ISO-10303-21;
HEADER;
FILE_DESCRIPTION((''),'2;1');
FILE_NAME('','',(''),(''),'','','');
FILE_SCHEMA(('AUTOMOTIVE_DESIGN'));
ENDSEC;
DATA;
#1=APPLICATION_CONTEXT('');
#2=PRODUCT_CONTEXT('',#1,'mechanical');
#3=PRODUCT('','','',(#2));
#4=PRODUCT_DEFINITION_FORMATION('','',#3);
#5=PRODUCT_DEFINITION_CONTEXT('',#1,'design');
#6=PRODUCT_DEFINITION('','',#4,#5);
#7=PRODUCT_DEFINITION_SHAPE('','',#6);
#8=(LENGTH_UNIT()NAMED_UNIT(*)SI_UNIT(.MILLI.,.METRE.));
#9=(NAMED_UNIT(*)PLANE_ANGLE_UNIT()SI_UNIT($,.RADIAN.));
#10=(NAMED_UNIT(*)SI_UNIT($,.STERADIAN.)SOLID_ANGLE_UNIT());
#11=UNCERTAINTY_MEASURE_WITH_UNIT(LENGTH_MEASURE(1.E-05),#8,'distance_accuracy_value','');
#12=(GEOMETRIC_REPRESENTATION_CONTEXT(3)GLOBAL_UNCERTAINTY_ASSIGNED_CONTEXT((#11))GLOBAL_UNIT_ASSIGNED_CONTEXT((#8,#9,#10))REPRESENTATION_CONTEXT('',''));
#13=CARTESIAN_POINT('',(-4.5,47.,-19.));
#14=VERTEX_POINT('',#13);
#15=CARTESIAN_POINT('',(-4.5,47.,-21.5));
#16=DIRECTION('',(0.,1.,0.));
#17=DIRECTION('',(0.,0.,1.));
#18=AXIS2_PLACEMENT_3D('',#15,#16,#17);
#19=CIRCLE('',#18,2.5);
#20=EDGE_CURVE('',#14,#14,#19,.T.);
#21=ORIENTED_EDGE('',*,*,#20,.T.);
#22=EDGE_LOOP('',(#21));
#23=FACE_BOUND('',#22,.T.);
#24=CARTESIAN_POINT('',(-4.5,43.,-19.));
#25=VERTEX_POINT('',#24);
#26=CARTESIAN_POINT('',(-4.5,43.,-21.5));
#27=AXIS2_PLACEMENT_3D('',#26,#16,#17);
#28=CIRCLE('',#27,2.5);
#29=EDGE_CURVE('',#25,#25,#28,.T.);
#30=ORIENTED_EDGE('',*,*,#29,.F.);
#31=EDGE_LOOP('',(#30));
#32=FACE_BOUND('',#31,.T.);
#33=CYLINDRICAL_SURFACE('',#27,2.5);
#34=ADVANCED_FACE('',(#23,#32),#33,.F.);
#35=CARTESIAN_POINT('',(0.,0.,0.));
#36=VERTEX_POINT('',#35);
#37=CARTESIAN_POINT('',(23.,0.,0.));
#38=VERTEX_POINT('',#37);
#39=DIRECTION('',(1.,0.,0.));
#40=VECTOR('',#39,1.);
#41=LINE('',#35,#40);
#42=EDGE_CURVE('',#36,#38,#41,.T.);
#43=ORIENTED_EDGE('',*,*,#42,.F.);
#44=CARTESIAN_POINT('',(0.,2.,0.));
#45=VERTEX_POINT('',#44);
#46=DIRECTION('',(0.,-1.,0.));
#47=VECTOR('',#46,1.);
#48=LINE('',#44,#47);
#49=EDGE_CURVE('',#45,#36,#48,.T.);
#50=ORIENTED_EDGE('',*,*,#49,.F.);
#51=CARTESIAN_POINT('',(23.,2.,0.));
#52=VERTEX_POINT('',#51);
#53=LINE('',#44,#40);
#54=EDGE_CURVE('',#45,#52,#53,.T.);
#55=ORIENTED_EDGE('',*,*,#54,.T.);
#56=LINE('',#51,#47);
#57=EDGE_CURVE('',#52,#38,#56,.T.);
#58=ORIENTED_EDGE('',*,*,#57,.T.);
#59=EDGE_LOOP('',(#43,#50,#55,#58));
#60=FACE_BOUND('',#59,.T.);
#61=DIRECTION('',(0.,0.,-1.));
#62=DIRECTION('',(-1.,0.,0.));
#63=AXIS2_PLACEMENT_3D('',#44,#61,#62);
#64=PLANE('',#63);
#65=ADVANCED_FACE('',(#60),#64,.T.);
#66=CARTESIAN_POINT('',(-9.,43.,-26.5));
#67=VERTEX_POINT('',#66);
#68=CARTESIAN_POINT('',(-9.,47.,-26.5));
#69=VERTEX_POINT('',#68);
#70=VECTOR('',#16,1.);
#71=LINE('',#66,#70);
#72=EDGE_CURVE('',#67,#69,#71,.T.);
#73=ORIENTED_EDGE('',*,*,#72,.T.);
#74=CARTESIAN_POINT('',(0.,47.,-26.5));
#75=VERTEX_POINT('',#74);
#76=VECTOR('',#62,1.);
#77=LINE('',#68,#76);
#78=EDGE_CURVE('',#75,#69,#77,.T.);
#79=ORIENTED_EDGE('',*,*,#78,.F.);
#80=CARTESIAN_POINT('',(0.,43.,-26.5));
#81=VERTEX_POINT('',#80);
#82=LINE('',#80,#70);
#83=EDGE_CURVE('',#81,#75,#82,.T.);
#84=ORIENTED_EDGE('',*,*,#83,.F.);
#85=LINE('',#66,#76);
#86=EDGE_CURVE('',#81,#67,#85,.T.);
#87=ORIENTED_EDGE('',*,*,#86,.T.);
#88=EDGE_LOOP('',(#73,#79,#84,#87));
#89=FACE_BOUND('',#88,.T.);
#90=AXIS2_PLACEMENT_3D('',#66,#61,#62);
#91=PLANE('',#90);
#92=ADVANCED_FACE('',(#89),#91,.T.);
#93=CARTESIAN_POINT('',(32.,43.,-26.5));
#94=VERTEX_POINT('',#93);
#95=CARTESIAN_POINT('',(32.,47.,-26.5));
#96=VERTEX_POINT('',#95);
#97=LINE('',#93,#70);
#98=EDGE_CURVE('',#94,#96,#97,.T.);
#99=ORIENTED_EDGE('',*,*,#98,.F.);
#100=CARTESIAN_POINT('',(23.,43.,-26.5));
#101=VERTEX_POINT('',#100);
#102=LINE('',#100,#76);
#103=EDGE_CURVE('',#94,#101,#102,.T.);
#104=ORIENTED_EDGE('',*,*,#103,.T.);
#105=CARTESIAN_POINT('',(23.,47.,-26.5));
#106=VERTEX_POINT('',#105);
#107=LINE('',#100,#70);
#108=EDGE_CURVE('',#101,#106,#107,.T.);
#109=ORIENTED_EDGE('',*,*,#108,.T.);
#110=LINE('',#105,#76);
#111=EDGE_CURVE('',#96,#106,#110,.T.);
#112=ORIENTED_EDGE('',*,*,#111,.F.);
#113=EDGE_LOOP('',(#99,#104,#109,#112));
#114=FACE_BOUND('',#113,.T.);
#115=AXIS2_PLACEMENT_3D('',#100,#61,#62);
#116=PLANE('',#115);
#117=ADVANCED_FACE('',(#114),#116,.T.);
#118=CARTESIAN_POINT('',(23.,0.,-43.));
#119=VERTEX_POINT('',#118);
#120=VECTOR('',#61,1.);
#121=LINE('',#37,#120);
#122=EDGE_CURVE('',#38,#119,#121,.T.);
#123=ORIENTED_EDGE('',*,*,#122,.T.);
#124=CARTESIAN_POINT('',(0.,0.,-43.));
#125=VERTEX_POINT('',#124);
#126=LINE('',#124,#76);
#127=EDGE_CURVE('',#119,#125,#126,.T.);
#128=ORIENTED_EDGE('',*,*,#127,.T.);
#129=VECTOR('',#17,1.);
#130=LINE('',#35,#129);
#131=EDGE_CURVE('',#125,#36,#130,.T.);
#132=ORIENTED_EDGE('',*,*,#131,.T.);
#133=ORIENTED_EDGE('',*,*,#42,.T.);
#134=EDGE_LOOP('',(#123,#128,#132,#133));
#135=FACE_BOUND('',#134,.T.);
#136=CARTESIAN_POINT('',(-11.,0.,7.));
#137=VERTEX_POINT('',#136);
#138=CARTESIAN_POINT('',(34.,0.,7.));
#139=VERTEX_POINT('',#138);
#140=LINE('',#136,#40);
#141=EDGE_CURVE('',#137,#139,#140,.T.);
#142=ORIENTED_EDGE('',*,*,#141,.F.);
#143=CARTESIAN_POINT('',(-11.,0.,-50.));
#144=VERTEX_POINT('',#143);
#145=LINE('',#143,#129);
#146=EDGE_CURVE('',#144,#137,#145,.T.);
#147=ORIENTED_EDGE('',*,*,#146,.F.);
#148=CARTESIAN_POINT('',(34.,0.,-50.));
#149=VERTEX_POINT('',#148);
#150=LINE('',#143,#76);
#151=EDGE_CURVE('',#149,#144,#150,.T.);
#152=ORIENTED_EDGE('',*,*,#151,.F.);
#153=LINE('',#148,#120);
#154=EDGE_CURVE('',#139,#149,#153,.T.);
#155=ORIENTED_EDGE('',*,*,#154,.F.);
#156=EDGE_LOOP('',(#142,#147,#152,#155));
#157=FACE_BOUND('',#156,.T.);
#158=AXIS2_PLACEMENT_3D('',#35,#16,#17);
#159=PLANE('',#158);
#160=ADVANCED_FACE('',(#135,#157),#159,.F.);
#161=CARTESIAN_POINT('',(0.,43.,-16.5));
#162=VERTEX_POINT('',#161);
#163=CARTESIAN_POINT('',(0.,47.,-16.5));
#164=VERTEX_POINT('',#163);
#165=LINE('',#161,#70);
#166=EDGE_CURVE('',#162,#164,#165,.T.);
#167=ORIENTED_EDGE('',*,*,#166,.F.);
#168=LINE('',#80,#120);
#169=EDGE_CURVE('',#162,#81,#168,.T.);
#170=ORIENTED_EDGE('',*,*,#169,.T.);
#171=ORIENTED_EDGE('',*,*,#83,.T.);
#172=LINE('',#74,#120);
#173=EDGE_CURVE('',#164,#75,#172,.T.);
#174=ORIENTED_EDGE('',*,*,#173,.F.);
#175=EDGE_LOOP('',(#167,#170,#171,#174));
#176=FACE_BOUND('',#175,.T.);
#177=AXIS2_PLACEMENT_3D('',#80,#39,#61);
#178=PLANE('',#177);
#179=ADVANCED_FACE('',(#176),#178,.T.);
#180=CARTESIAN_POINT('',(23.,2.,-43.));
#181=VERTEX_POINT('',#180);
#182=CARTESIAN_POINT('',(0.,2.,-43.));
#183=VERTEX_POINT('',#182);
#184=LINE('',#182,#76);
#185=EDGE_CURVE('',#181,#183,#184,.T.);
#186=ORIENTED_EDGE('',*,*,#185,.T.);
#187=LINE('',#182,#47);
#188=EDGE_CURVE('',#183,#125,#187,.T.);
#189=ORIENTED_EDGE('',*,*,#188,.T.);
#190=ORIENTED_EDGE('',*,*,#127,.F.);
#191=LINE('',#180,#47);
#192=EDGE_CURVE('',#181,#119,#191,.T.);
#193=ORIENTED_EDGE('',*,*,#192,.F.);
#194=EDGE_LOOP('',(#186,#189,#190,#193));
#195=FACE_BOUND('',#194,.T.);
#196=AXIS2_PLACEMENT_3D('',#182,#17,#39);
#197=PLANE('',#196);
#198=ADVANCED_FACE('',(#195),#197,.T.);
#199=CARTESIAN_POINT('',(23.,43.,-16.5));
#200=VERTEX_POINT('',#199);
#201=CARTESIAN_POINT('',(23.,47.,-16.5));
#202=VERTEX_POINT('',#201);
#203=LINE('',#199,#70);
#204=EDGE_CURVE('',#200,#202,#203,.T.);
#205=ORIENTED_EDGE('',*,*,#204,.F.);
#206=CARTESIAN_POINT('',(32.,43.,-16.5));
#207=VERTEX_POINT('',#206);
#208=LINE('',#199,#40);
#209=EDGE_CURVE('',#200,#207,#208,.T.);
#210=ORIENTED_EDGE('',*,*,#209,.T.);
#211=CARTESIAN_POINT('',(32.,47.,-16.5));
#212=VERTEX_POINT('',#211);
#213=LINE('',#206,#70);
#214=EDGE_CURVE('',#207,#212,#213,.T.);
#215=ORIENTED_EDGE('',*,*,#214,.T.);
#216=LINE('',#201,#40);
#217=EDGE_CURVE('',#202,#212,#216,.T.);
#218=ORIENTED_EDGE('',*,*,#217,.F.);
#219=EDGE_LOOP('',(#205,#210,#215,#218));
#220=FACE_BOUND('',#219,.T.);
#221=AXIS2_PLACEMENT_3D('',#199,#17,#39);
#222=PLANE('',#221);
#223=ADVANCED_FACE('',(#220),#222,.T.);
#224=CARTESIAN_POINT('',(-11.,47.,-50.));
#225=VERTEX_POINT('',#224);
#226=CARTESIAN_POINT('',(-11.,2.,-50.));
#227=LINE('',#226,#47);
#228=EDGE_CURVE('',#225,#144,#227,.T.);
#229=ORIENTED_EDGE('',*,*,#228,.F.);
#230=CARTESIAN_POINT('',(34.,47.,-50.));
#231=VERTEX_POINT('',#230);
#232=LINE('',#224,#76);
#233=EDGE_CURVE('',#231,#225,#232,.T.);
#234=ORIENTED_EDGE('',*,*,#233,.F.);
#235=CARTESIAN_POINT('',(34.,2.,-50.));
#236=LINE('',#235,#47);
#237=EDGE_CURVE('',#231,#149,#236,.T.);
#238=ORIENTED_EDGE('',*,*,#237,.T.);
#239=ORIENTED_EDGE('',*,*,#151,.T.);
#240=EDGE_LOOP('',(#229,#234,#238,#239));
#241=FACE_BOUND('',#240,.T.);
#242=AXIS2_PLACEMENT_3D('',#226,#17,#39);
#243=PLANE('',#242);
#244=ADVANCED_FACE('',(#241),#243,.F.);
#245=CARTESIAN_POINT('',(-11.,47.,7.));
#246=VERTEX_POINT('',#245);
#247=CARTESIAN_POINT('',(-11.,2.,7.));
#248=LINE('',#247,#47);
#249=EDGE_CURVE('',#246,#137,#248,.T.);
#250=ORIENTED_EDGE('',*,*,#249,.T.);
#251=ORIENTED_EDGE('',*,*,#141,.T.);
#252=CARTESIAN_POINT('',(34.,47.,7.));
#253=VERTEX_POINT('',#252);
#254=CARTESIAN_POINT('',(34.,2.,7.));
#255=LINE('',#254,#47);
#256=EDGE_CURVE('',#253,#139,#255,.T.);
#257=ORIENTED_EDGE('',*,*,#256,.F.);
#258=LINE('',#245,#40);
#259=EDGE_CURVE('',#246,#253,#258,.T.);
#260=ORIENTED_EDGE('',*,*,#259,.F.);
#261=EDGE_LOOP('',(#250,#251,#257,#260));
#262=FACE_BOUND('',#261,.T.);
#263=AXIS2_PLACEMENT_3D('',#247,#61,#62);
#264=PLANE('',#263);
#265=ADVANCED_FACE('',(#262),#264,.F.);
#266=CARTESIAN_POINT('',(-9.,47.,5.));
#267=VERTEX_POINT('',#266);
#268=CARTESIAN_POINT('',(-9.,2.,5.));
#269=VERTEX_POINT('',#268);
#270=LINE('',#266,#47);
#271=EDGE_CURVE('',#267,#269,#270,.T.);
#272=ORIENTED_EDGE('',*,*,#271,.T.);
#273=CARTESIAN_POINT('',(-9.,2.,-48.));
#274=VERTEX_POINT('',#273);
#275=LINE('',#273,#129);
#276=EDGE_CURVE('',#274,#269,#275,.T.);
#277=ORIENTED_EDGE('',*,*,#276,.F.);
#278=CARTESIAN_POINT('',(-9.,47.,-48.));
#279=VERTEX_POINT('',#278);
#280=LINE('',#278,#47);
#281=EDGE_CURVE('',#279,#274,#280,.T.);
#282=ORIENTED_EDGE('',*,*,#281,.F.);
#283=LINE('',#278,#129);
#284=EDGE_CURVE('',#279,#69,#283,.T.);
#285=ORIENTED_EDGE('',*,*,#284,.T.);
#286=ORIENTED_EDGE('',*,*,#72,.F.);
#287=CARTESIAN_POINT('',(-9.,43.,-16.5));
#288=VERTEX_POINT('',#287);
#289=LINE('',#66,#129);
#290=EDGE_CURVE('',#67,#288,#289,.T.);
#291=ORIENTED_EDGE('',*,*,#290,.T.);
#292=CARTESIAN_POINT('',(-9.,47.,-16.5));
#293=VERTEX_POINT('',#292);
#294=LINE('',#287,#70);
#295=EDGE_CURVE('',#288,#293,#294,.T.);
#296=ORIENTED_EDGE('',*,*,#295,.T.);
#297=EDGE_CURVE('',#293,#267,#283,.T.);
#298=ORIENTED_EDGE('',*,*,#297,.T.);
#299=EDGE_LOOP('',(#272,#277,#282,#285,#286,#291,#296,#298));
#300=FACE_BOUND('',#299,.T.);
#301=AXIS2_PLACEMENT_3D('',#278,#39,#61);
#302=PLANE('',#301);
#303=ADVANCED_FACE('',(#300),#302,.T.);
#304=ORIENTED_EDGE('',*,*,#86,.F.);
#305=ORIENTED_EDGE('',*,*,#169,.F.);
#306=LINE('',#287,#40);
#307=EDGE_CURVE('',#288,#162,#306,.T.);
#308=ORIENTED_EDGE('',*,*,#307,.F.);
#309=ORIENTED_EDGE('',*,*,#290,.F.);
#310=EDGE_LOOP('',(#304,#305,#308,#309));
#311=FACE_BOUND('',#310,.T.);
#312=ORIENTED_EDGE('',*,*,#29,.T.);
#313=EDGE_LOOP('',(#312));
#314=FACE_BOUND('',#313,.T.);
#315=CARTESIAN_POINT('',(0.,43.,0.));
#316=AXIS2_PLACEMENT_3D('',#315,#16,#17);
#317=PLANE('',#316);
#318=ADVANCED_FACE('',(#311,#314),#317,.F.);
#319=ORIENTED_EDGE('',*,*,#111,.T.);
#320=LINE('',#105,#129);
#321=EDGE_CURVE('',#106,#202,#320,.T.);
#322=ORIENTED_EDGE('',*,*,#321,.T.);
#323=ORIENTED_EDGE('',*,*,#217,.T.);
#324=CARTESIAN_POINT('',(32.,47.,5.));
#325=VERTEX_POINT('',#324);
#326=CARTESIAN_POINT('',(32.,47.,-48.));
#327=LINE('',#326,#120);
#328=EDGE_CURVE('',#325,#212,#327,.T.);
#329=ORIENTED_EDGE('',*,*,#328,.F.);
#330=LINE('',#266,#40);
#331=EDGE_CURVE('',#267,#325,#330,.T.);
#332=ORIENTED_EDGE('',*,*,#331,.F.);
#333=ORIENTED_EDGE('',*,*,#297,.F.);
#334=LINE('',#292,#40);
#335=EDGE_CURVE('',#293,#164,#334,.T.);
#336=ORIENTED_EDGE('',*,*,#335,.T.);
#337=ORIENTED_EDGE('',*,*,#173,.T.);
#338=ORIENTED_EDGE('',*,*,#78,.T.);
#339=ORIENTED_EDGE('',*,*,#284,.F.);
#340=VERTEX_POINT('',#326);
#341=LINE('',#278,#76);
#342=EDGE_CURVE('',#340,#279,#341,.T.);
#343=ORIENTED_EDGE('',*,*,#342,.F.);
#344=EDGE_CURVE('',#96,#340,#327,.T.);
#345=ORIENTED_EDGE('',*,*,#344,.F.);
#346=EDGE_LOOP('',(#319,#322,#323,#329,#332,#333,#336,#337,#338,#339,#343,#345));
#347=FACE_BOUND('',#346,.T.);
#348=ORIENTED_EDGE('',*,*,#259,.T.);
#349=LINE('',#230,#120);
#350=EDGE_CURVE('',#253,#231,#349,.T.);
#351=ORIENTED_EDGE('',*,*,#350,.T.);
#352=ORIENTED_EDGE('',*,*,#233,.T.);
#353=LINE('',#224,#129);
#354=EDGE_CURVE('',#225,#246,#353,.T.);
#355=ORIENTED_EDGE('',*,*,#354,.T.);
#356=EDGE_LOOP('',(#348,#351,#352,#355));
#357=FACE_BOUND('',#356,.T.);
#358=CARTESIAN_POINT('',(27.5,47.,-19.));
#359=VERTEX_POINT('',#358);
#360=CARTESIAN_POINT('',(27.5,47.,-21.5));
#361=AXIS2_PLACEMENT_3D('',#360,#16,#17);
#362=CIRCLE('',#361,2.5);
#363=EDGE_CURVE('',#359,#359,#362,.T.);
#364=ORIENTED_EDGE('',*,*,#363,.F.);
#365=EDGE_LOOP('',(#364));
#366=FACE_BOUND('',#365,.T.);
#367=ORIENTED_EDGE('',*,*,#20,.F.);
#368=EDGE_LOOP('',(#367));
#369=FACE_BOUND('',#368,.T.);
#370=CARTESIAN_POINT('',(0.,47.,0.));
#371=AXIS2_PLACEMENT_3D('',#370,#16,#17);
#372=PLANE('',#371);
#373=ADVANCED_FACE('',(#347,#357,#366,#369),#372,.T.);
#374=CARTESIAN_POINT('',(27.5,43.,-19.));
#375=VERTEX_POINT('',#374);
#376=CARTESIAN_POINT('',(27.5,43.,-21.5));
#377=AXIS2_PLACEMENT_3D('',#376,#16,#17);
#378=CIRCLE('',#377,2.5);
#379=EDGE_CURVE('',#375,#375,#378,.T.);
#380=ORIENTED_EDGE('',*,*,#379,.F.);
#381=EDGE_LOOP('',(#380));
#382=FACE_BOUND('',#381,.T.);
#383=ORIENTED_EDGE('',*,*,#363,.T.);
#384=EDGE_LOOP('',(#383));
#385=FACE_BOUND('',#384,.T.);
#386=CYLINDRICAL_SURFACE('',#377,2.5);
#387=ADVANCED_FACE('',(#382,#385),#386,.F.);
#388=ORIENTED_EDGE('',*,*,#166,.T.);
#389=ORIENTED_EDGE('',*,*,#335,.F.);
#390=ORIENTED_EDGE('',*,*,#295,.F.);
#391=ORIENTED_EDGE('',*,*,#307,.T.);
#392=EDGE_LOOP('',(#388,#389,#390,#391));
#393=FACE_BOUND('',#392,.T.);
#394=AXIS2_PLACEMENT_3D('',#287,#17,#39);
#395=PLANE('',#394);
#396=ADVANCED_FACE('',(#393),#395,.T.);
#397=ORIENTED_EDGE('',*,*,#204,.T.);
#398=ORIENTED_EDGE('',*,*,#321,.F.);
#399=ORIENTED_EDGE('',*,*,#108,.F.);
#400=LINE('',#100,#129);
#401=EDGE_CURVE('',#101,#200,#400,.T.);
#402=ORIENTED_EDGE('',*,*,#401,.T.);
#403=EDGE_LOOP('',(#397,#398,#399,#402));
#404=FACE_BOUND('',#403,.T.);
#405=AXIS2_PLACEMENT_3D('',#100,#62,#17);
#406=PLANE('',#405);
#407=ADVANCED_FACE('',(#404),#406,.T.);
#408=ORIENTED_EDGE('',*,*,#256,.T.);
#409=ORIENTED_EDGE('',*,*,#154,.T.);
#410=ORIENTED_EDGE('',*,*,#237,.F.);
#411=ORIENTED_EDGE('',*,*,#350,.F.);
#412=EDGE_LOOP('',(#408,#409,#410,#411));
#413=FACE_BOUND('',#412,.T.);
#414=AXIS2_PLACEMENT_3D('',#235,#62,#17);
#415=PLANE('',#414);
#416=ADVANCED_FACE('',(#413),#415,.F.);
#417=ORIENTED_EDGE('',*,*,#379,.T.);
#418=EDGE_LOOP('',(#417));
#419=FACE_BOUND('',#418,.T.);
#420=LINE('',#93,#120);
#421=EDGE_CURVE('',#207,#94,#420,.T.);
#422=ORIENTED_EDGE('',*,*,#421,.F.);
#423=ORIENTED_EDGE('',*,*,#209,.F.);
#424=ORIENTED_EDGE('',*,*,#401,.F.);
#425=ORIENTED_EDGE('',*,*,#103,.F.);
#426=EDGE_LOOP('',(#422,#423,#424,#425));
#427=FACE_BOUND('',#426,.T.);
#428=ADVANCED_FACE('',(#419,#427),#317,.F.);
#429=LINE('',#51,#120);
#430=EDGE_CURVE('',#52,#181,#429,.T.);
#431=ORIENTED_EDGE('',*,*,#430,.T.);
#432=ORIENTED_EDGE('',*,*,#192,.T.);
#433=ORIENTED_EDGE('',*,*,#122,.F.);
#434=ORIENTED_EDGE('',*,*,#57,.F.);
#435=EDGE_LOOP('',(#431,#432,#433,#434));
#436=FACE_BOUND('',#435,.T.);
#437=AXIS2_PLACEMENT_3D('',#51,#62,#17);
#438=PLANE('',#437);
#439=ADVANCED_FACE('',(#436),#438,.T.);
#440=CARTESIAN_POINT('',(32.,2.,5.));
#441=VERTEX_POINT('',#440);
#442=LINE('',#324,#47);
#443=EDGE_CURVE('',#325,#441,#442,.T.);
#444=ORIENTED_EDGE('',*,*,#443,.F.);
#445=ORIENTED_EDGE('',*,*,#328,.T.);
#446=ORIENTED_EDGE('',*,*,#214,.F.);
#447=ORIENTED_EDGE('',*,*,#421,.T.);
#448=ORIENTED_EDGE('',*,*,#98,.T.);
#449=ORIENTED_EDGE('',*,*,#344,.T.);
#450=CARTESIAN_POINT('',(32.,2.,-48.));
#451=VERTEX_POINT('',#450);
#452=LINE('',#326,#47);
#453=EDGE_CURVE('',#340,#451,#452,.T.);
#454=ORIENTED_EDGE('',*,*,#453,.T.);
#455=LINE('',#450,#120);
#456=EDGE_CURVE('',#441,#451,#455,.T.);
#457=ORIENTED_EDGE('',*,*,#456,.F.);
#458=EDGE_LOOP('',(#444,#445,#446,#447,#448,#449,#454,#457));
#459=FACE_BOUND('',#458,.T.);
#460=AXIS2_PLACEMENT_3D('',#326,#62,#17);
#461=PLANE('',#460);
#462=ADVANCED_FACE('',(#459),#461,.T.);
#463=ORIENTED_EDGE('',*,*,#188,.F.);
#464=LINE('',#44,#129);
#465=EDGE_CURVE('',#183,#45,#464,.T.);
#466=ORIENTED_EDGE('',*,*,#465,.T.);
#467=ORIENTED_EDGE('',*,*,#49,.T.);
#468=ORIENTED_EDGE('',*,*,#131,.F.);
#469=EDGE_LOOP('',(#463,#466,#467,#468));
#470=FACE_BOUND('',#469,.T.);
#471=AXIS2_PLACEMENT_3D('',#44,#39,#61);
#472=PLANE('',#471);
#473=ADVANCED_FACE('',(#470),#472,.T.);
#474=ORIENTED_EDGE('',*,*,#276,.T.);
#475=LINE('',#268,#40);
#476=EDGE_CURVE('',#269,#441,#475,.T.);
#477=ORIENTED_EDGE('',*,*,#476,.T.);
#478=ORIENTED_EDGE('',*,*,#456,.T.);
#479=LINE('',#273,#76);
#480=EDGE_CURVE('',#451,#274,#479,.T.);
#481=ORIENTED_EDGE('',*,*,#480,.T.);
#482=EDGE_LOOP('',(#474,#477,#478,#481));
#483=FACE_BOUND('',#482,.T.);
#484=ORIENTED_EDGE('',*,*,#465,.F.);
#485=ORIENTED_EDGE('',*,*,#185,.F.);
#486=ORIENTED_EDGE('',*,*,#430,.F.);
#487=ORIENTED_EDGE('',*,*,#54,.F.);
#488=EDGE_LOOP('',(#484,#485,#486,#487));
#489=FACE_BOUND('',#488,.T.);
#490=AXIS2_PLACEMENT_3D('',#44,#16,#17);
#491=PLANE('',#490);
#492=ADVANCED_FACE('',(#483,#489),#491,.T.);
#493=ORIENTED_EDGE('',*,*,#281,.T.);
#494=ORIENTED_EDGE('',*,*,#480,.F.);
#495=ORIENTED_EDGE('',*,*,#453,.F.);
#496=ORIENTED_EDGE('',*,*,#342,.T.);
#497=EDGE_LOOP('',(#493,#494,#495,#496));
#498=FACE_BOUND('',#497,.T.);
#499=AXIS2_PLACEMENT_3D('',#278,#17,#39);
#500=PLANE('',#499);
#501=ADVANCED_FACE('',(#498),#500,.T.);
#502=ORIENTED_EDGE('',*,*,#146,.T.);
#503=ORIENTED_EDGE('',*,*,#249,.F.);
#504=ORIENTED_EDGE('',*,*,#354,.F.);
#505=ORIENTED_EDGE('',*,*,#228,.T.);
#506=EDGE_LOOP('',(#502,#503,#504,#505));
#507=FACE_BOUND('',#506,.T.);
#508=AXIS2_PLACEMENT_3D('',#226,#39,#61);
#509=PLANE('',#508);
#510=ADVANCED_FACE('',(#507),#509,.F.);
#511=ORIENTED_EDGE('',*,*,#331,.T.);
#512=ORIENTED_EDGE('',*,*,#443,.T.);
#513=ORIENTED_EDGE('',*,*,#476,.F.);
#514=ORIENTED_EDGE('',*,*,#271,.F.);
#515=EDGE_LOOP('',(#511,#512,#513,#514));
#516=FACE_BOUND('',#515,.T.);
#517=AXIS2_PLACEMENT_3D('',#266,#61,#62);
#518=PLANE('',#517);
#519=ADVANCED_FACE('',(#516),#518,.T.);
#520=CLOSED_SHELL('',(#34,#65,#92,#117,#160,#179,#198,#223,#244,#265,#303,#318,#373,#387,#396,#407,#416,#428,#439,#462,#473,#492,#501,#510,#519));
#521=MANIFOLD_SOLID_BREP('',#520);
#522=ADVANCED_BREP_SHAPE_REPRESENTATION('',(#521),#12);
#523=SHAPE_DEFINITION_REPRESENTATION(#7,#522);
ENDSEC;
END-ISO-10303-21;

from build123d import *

# Parameters (mm, degrees)
ESQUISSE1_W        = 45
ESQUISSE1_H        = 57
ESQUISSE1_W_2      = 23
ESQUISSE1_H_2      = 43
BOSS_EXTRU_1_DEPTH = 2
ESQUISSE2_W        = 45
ESQUISSE2_H        = 57
ESQUISSE2_W_2      = 41
ESQUISSE2_H_2      = 53
BOSS_EXTRU_2_DEPTH = 45
ESQUISSE3_W        = 9
ESQUISSE3_H        = 10
ESQUISSE3_R        = 2.5
BOSS_EXTRU_3_DEPTH = 4


with BuildPart() as part:
    # Esquisse1 → Boss.-Extru.1 (new body)
    with BuildSketch(Plane(origin=(0, 0, 0), x_dir=(1, 0, 0), z_dir=(0, 1, 0))):
        with Locations((11.5, 21.5)):
            Rectangle(ESQUISSE1_W, ESQUISSE1_H)
        with Locations((11.5, 21.5)):
            Rectangle(ESQUISSE1_W_2, ESQUISSE1_H_2, mode=Mode.SUBTRACT)
    extrude(amount=BOSS_EXTRU_1_DEPTH)

    # Esquisse2 → Boss.-Extru.2 (add)
    with BuildSketch(Plane(origin=(0, 2, 0), x_dir=(1, 0, 0), z_dir=(0, 1, 0))):
        with Locations((11.5, 21.5)):
            Rectangle(ESQUISSE2_W, ESQUISSE2_H)
        with Locations((11.5, 21.5)):
            Rectangle(ESQUISSE2_W_2, ESQUISSE2_H_2, mode=Mode.SUBTRACT)
    extrude(amount=BOSS_EXTRU_2_DEPTH)

    # Esquisse3 → Boss.-Extru.3 (add)
    with BuildSketch(Plane(origin=(0, 47, 0), x_dir=(1, 0, 0), z_dir=(0, 1, 0))):
        with Locations((-4.5, 21.5)):
            Rectangle(ESQUISSE3_W, ESQUISSE3_H)
        with Locations((-4.5, 21.5)):
            Circle(ESQUISSE3_R, mode=Mode.SUBTRACT)
        with Locations((27.5, 21.5)):
            Rectangle(ESQUISSE3_W, ESQUISSE3_H)
        with Locations((27.5, 21.5)):
            Circle(ESQUISSE3_R, mode=Mode.SUBTRACT)
    extrude(amount=-BOSS_EXTRU_3_DEPTH)


solid = part.part
